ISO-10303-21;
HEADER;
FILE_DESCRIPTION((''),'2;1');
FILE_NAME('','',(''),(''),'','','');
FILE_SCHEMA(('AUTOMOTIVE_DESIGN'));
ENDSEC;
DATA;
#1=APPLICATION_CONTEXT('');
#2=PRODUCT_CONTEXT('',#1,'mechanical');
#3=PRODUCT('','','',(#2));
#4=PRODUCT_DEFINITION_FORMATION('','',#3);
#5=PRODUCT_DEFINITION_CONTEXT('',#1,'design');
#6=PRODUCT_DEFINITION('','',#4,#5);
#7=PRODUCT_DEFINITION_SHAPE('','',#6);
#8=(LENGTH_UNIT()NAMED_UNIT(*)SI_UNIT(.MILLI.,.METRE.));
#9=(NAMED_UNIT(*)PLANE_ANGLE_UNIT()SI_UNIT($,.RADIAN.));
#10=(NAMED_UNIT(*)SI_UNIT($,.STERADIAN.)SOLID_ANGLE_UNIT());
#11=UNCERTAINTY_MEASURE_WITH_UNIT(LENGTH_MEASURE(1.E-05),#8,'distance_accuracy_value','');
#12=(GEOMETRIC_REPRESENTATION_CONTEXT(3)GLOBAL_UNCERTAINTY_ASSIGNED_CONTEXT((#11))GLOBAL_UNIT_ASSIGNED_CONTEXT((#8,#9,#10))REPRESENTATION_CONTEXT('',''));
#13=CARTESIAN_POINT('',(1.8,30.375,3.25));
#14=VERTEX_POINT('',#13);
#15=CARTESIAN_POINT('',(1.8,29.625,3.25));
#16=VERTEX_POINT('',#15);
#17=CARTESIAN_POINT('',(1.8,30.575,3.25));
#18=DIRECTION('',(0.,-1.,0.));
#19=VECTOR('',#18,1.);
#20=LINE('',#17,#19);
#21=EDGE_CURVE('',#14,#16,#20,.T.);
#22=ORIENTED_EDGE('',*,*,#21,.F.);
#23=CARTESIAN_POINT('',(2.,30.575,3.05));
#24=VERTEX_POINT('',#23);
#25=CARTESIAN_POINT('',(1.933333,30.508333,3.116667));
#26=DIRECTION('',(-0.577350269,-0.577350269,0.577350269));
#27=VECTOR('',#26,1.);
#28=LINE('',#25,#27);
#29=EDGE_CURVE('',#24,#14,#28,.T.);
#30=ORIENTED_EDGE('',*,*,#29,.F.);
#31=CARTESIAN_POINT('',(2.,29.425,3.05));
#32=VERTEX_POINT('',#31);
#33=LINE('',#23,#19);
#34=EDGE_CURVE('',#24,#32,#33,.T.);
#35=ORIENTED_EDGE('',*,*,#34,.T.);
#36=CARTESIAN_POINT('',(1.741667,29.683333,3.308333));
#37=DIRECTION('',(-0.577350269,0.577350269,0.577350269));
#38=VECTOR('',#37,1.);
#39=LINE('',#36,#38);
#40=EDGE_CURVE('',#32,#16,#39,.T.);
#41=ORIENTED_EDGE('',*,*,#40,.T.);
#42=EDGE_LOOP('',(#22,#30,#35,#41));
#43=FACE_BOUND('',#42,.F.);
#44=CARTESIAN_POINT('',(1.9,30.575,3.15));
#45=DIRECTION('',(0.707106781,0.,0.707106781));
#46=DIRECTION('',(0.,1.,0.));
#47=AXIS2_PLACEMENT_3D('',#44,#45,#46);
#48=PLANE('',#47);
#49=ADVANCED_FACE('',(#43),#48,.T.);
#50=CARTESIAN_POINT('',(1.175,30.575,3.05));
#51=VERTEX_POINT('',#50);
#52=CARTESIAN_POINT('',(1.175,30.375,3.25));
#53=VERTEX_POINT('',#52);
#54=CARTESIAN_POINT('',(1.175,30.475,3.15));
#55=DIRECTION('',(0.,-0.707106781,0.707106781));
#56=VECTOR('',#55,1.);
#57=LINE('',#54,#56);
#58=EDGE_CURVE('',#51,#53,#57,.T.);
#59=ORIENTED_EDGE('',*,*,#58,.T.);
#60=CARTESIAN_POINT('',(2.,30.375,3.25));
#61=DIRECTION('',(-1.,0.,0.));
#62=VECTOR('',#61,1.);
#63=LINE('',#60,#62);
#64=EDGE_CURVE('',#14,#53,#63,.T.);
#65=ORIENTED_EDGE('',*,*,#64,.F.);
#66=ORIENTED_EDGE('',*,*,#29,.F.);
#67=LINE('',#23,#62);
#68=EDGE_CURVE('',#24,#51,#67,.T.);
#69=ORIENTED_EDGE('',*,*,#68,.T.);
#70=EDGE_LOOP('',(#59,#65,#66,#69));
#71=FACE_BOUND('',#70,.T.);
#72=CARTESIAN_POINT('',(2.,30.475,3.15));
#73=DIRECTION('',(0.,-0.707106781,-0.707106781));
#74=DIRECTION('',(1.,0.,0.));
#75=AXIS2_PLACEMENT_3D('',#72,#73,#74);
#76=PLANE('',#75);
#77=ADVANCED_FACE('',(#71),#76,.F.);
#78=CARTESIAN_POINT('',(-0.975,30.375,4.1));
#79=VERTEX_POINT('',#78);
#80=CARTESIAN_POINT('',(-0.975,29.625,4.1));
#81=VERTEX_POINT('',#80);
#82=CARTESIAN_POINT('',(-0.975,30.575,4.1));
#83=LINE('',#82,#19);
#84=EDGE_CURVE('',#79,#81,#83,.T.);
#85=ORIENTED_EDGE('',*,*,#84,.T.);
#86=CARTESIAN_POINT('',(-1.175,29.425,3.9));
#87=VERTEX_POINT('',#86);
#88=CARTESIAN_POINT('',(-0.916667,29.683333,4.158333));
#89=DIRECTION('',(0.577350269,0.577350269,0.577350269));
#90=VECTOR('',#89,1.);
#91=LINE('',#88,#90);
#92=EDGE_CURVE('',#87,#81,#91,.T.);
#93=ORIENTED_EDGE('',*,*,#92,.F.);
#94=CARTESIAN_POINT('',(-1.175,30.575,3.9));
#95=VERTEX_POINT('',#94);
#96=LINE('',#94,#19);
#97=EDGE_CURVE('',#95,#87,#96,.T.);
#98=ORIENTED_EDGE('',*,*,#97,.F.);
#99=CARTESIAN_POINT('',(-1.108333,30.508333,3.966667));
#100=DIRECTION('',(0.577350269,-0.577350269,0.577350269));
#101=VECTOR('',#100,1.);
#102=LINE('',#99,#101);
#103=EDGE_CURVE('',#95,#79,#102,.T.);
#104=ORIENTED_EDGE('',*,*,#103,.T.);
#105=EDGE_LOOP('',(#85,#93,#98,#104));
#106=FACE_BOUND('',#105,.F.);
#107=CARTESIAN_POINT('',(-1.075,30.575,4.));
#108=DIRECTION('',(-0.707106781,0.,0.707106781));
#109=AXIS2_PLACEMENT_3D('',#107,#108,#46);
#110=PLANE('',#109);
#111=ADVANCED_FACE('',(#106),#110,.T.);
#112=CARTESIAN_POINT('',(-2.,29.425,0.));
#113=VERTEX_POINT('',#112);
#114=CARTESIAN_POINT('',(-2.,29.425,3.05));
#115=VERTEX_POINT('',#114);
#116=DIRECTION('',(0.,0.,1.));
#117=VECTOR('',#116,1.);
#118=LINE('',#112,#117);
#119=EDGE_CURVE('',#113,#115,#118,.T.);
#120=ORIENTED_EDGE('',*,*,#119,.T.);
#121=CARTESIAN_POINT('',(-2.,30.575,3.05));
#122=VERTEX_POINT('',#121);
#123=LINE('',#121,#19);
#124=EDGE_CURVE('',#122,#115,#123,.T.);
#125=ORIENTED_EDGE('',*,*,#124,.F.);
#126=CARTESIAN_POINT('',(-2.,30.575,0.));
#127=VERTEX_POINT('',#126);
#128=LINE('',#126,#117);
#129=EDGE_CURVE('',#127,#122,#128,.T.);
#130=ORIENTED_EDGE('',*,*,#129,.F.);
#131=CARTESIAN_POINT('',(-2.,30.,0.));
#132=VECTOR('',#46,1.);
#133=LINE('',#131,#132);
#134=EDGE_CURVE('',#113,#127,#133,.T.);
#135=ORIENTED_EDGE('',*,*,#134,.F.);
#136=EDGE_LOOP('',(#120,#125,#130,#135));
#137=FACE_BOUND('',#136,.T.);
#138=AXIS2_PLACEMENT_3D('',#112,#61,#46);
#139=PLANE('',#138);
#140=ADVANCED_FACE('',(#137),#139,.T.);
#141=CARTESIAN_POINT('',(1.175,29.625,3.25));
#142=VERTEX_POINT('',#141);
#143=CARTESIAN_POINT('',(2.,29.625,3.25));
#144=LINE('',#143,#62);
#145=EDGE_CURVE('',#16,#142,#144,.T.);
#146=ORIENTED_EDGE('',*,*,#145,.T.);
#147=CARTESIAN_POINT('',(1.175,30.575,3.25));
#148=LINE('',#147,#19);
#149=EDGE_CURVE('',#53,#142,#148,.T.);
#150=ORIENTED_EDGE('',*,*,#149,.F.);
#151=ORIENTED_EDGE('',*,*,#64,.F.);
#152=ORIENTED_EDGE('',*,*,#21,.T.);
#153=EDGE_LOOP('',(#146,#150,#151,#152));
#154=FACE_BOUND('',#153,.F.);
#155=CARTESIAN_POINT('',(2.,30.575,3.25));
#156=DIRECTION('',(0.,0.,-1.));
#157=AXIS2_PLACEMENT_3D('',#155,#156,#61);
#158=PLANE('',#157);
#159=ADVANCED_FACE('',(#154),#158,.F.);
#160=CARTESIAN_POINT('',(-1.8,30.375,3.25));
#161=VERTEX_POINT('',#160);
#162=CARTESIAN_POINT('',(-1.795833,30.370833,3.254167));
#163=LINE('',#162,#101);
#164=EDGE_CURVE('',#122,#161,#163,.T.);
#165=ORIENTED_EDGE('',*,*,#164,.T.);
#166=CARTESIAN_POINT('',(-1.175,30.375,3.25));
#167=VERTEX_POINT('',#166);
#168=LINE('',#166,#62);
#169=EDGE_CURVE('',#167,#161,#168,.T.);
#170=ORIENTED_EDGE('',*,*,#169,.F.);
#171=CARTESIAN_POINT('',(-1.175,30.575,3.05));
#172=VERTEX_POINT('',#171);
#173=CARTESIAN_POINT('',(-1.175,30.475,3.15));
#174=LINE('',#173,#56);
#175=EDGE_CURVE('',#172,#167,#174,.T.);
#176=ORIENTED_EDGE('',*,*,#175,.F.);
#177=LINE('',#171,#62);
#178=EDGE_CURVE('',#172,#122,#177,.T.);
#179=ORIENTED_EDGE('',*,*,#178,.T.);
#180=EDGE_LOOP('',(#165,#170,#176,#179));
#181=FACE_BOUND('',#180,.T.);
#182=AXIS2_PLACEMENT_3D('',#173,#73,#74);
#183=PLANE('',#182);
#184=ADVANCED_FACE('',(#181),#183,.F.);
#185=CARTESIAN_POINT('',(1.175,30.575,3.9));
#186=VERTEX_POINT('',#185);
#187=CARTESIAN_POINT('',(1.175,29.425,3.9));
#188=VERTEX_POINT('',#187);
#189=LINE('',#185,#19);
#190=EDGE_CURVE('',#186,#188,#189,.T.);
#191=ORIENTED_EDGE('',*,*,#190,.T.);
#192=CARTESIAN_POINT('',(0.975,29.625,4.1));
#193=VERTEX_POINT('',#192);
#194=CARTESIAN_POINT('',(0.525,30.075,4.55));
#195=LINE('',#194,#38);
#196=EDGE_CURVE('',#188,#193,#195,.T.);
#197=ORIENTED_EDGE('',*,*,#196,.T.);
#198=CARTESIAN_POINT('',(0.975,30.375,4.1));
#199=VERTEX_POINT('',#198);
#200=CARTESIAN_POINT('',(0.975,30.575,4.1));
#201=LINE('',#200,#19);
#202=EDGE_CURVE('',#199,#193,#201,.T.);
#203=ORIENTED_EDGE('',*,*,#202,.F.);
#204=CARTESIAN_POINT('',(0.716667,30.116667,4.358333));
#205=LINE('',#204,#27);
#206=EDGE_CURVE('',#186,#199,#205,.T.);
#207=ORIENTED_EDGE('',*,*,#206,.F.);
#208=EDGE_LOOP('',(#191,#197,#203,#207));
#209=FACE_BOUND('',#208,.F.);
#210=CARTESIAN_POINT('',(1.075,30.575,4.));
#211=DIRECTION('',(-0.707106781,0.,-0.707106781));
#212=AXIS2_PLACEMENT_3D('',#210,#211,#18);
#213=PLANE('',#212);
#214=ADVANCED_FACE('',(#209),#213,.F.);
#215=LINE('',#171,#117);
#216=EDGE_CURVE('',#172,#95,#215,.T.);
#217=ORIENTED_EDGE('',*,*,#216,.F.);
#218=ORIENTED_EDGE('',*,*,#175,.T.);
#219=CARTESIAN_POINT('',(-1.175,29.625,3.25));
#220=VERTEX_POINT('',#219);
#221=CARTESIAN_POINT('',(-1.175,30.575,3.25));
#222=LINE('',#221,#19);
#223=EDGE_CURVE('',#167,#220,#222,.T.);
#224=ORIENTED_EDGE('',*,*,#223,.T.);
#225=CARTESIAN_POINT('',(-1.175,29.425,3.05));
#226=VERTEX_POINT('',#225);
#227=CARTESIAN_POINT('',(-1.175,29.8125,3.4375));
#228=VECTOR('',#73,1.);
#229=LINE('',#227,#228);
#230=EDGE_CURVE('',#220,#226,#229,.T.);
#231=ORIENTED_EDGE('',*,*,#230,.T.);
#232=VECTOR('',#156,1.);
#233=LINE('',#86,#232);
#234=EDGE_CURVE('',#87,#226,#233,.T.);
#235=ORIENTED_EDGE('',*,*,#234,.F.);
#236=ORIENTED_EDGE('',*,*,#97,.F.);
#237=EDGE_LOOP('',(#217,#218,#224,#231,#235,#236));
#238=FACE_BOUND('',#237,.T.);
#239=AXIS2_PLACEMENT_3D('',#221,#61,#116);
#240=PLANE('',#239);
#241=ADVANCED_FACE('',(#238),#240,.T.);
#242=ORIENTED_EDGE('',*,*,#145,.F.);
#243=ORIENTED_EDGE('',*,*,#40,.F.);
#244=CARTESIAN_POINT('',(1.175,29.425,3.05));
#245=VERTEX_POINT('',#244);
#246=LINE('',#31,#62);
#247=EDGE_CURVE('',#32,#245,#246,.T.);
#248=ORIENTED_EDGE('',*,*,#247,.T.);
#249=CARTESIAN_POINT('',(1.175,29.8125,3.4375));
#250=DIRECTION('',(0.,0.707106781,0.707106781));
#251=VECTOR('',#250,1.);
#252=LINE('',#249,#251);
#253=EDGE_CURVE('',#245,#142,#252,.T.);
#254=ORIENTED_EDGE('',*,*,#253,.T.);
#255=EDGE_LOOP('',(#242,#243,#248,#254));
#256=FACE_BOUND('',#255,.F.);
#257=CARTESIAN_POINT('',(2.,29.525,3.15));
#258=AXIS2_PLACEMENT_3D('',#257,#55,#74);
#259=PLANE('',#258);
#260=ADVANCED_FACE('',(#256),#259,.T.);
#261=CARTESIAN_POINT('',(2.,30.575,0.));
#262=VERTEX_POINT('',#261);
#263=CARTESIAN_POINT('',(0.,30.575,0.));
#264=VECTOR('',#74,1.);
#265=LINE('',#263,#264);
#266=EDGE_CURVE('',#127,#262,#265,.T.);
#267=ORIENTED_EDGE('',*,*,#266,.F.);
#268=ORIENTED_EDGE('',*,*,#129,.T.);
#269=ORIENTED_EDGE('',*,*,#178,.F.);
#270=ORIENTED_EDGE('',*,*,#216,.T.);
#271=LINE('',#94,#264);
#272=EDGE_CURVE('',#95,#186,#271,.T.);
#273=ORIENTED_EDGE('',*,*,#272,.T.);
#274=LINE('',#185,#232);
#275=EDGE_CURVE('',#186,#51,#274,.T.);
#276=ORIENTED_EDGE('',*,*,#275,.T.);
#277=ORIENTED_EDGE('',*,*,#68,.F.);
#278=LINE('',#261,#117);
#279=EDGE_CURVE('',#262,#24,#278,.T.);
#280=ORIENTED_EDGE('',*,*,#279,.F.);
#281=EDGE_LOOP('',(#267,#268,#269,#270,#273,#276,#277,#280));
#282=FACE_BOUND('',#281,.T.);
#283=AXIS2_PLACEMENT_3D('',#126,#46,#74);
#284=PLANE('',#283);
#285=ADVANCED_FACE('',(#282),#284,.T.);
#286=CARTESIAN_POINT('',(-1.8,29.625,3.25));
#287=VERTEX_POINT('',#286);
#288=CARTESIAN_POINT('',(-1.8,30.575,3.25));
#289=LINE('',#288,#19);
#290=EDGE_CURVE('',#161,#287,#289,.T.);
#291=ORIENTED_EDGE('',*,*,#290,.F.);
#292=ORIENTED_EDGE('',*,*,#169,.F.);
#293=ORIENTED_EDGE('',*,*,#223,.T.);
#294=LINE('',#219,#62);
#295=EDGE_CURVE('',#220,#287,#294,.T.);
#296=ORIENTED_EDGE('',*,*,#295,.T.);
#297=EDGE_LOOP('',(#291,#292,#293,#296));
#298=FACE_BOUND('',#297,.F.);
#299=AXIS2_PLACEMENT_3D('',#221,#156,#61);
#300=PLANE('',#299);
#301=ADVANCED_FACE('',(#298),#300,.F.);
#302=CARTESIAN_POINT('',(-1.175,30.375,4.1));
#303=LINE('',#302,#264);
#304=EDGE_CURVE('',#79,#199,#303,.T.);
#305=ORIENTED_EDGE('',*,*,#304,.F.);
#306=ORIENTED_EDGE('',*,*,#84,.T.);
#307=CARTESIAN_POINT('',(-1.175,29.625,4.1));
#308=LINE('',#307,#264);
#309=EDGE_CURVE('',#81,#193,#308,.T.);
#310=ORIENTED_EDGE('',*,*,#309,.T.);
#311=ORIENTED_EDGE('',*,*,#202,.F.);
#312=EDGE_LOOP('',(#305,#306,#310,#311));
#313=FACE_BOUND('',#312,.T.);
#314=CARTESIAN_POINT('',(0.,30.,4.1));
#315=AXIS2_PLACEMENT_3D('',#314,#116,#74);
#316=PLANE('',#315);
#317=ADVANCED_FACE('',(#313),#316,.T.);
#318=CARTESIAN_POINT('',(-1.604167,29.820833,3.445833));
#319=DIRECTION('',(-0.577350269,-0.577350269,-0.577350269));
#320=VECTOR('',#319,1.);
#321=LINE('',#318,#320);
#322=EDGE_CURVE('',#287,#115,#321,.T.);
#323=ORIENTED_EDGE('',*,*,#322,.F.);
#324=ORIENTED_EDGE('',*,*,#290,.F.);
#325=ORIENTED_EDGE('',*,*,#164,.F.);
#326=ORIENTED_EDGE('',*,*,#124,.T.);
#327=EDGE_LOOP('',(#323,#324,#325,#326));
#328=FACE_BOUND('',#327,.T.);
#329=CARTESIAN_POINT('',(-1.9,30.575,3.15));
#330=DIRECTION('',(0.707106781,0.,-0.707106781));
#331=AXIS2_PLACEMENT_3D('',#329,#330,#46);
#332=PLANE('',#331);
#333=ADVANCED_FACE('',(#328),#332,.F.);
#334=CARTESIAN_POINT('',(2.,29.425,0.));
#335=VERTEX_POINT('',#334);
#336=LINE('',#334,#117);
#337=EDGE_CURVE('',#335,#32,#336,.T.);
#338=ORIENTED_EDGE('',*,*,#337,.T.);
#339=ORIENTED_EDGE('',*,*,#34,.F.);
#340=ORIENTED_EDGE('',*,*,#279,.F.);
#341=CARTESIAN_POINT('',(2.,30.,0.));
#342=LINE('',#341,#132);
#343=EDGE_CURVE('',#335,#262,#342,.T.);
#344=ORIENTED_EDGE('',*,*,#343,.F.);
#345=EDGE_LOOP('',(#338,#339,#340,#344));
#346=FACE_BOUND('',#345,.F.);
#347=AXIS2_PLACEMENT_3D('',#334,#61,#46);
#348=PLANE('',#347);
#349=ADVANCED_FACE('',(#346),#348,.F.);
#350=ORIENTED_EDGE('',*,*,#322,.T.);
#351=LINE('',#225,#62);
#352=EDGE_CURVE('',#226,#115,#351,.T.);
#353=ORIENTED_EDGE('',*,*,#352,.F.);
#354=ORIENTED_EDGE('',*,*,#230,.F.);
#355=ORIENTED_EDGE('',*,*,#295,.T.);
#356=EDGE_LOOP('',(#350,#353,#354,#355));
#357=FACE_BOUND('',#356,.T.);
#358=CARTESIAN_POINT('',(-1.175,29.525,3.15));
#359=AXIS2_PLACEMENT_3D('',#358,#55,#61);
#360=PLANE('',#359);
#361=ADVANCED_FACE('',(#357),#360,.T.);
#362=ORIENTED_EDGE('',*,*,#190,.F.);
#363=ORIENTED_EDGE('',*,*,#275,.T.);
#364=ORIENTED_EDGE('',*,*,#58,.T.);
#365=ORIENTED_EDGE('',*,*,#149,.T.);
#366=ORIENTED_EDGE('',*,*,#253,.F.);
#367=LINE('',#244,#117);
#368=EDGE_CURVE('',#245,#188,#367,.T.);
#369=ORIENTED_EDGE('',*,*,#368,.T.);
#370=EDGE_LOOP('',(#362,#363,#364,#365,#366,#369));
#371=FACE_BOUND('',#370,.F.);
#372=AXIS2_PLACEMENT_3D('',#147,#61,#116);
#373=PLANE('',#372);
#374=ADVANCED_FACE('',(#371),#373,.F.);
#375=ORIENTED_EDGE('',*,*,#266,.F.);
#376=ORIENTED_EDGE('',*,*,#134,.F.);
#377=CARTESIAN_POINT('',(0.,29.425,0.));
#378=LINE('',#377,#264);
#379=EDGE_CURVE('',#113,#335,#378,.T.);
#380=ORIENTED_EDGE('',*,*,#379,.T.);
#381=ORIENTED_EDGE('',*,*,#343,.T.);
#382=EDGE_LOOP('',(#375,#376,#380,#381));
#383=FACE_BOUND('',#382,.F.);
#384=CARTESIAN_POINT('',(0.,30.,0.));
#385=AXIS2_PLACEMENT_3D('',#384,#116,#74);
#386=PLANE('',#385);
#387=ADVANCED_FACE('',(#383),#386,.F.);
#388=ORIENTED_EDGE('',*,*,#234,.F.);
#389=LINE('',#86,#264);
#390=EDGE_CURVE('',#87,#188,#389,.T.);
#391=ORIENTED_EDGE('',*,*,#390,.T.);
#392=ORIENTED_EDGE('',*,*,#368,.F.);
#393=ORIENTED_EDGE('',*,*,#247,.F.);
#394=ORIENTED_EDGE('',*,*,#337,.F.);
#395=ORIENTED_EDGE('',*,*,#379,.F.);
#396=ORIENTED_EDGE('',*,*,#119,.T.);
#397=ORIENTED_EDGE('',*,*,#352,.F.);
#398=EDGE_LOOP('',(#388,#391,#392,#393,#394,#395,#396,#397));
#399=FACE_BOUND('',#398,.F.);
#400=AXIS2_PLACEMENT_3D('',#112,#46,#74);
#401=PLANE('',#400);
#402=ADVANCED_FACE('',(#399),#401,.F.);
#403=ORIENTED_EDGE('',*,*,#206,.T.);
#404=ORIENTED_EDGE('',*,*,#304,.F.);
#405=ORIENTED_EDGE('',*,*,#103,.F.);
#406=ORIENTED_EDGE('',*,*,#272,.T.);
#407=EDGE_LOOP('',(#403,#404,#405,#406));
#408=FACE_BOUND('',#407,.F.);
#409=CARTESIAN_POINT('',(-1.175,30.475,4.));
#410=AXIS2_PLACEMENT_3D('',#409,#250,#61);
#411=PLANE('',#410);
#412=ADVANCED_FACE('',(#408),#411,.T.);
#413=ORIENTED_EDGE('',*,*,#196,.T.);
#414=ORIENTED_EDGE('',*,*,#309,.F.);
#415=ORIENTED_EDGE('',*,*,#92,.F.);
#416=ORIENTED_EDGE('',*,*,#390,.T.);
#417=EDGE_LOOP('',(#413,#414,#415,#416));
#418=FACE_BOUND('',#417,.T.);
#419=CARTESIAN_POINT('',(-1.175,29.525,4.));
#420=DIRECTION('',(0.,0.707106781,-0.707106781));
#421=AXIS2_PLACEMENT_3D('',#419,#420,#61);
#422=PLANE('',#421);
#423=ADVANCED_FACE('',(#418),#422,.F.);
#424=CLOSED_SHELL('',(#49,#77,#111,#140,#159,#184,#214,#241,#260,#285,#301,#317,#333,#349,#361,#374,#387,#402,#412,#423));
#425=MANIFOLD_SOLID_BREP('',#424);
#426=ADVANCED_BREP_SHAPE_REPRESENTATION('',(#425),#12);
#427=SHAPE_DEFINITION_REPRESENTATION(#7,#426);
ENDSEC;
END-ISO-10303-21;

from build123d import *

# Parameters (mm, degrees)
SKETCH008_W     = 4
SKETCH008_H     = 1.15
PAD005_DEPTH    = 4.1
SKETCH009_W     = 0.825
SKETCH009_H     = 0.85
POCKET002_DEPTH = 5
CHAMFER005_SIZE = 0.2


with BuildPart() as part:
    # Sketch008 → Pad005 (new body)
    with BuildSketch(Plane.XY):
        Rectangle(SKETCH008_W, SKETCH008_H)
    extrude(amount=PAD005_DEPTH)

    # Sketch009 (on Face1 of Pad005) → Pocket002 (cut)
    with BuildSketch(Plane(origin=(0, 0.575, 0), x_dir=(-1, 0, 0), z_dir=(0, 1, 0))):
        with Locations((-1.5875, 3.675)):
            Rectangle(SKETCH009_W, SKETCH009_H)
        with Locations((1.5875, 3.675)):
            Rectangle(SKETCH009_W, SKETCH009_H)
    extrude(amount=-POCKET002_DEPTH, mode=Mode.SUBTRACT)

    # Chamfer005
    chamfer005_edges = [part.edges().sort_by_distance(p)[0] for p in [
        (0, 0.575, 4.1),
        (0, -0.575, 4.1),
        (1.5875, 0.575, 3.25),
        (-1.5875, 0.575, 3.25),
        (-1.5875, -0.575, 3.25),
        (1.5875, -0.575, 3.25),
        (2, 0, 3.25),
        (-2, 0, 3.25),
        (1.175, 0, 4.1),
        (-1.175, 0, 4.1),
    ]]
    chamfer(chamfer005_edges, length=CHAMFER005_SIZE)


with BuildPart() as part_1:
    # Body039 placement: moved
    add(part.part.moved(Location((0, 30, 0))))


solid = part_1.part
